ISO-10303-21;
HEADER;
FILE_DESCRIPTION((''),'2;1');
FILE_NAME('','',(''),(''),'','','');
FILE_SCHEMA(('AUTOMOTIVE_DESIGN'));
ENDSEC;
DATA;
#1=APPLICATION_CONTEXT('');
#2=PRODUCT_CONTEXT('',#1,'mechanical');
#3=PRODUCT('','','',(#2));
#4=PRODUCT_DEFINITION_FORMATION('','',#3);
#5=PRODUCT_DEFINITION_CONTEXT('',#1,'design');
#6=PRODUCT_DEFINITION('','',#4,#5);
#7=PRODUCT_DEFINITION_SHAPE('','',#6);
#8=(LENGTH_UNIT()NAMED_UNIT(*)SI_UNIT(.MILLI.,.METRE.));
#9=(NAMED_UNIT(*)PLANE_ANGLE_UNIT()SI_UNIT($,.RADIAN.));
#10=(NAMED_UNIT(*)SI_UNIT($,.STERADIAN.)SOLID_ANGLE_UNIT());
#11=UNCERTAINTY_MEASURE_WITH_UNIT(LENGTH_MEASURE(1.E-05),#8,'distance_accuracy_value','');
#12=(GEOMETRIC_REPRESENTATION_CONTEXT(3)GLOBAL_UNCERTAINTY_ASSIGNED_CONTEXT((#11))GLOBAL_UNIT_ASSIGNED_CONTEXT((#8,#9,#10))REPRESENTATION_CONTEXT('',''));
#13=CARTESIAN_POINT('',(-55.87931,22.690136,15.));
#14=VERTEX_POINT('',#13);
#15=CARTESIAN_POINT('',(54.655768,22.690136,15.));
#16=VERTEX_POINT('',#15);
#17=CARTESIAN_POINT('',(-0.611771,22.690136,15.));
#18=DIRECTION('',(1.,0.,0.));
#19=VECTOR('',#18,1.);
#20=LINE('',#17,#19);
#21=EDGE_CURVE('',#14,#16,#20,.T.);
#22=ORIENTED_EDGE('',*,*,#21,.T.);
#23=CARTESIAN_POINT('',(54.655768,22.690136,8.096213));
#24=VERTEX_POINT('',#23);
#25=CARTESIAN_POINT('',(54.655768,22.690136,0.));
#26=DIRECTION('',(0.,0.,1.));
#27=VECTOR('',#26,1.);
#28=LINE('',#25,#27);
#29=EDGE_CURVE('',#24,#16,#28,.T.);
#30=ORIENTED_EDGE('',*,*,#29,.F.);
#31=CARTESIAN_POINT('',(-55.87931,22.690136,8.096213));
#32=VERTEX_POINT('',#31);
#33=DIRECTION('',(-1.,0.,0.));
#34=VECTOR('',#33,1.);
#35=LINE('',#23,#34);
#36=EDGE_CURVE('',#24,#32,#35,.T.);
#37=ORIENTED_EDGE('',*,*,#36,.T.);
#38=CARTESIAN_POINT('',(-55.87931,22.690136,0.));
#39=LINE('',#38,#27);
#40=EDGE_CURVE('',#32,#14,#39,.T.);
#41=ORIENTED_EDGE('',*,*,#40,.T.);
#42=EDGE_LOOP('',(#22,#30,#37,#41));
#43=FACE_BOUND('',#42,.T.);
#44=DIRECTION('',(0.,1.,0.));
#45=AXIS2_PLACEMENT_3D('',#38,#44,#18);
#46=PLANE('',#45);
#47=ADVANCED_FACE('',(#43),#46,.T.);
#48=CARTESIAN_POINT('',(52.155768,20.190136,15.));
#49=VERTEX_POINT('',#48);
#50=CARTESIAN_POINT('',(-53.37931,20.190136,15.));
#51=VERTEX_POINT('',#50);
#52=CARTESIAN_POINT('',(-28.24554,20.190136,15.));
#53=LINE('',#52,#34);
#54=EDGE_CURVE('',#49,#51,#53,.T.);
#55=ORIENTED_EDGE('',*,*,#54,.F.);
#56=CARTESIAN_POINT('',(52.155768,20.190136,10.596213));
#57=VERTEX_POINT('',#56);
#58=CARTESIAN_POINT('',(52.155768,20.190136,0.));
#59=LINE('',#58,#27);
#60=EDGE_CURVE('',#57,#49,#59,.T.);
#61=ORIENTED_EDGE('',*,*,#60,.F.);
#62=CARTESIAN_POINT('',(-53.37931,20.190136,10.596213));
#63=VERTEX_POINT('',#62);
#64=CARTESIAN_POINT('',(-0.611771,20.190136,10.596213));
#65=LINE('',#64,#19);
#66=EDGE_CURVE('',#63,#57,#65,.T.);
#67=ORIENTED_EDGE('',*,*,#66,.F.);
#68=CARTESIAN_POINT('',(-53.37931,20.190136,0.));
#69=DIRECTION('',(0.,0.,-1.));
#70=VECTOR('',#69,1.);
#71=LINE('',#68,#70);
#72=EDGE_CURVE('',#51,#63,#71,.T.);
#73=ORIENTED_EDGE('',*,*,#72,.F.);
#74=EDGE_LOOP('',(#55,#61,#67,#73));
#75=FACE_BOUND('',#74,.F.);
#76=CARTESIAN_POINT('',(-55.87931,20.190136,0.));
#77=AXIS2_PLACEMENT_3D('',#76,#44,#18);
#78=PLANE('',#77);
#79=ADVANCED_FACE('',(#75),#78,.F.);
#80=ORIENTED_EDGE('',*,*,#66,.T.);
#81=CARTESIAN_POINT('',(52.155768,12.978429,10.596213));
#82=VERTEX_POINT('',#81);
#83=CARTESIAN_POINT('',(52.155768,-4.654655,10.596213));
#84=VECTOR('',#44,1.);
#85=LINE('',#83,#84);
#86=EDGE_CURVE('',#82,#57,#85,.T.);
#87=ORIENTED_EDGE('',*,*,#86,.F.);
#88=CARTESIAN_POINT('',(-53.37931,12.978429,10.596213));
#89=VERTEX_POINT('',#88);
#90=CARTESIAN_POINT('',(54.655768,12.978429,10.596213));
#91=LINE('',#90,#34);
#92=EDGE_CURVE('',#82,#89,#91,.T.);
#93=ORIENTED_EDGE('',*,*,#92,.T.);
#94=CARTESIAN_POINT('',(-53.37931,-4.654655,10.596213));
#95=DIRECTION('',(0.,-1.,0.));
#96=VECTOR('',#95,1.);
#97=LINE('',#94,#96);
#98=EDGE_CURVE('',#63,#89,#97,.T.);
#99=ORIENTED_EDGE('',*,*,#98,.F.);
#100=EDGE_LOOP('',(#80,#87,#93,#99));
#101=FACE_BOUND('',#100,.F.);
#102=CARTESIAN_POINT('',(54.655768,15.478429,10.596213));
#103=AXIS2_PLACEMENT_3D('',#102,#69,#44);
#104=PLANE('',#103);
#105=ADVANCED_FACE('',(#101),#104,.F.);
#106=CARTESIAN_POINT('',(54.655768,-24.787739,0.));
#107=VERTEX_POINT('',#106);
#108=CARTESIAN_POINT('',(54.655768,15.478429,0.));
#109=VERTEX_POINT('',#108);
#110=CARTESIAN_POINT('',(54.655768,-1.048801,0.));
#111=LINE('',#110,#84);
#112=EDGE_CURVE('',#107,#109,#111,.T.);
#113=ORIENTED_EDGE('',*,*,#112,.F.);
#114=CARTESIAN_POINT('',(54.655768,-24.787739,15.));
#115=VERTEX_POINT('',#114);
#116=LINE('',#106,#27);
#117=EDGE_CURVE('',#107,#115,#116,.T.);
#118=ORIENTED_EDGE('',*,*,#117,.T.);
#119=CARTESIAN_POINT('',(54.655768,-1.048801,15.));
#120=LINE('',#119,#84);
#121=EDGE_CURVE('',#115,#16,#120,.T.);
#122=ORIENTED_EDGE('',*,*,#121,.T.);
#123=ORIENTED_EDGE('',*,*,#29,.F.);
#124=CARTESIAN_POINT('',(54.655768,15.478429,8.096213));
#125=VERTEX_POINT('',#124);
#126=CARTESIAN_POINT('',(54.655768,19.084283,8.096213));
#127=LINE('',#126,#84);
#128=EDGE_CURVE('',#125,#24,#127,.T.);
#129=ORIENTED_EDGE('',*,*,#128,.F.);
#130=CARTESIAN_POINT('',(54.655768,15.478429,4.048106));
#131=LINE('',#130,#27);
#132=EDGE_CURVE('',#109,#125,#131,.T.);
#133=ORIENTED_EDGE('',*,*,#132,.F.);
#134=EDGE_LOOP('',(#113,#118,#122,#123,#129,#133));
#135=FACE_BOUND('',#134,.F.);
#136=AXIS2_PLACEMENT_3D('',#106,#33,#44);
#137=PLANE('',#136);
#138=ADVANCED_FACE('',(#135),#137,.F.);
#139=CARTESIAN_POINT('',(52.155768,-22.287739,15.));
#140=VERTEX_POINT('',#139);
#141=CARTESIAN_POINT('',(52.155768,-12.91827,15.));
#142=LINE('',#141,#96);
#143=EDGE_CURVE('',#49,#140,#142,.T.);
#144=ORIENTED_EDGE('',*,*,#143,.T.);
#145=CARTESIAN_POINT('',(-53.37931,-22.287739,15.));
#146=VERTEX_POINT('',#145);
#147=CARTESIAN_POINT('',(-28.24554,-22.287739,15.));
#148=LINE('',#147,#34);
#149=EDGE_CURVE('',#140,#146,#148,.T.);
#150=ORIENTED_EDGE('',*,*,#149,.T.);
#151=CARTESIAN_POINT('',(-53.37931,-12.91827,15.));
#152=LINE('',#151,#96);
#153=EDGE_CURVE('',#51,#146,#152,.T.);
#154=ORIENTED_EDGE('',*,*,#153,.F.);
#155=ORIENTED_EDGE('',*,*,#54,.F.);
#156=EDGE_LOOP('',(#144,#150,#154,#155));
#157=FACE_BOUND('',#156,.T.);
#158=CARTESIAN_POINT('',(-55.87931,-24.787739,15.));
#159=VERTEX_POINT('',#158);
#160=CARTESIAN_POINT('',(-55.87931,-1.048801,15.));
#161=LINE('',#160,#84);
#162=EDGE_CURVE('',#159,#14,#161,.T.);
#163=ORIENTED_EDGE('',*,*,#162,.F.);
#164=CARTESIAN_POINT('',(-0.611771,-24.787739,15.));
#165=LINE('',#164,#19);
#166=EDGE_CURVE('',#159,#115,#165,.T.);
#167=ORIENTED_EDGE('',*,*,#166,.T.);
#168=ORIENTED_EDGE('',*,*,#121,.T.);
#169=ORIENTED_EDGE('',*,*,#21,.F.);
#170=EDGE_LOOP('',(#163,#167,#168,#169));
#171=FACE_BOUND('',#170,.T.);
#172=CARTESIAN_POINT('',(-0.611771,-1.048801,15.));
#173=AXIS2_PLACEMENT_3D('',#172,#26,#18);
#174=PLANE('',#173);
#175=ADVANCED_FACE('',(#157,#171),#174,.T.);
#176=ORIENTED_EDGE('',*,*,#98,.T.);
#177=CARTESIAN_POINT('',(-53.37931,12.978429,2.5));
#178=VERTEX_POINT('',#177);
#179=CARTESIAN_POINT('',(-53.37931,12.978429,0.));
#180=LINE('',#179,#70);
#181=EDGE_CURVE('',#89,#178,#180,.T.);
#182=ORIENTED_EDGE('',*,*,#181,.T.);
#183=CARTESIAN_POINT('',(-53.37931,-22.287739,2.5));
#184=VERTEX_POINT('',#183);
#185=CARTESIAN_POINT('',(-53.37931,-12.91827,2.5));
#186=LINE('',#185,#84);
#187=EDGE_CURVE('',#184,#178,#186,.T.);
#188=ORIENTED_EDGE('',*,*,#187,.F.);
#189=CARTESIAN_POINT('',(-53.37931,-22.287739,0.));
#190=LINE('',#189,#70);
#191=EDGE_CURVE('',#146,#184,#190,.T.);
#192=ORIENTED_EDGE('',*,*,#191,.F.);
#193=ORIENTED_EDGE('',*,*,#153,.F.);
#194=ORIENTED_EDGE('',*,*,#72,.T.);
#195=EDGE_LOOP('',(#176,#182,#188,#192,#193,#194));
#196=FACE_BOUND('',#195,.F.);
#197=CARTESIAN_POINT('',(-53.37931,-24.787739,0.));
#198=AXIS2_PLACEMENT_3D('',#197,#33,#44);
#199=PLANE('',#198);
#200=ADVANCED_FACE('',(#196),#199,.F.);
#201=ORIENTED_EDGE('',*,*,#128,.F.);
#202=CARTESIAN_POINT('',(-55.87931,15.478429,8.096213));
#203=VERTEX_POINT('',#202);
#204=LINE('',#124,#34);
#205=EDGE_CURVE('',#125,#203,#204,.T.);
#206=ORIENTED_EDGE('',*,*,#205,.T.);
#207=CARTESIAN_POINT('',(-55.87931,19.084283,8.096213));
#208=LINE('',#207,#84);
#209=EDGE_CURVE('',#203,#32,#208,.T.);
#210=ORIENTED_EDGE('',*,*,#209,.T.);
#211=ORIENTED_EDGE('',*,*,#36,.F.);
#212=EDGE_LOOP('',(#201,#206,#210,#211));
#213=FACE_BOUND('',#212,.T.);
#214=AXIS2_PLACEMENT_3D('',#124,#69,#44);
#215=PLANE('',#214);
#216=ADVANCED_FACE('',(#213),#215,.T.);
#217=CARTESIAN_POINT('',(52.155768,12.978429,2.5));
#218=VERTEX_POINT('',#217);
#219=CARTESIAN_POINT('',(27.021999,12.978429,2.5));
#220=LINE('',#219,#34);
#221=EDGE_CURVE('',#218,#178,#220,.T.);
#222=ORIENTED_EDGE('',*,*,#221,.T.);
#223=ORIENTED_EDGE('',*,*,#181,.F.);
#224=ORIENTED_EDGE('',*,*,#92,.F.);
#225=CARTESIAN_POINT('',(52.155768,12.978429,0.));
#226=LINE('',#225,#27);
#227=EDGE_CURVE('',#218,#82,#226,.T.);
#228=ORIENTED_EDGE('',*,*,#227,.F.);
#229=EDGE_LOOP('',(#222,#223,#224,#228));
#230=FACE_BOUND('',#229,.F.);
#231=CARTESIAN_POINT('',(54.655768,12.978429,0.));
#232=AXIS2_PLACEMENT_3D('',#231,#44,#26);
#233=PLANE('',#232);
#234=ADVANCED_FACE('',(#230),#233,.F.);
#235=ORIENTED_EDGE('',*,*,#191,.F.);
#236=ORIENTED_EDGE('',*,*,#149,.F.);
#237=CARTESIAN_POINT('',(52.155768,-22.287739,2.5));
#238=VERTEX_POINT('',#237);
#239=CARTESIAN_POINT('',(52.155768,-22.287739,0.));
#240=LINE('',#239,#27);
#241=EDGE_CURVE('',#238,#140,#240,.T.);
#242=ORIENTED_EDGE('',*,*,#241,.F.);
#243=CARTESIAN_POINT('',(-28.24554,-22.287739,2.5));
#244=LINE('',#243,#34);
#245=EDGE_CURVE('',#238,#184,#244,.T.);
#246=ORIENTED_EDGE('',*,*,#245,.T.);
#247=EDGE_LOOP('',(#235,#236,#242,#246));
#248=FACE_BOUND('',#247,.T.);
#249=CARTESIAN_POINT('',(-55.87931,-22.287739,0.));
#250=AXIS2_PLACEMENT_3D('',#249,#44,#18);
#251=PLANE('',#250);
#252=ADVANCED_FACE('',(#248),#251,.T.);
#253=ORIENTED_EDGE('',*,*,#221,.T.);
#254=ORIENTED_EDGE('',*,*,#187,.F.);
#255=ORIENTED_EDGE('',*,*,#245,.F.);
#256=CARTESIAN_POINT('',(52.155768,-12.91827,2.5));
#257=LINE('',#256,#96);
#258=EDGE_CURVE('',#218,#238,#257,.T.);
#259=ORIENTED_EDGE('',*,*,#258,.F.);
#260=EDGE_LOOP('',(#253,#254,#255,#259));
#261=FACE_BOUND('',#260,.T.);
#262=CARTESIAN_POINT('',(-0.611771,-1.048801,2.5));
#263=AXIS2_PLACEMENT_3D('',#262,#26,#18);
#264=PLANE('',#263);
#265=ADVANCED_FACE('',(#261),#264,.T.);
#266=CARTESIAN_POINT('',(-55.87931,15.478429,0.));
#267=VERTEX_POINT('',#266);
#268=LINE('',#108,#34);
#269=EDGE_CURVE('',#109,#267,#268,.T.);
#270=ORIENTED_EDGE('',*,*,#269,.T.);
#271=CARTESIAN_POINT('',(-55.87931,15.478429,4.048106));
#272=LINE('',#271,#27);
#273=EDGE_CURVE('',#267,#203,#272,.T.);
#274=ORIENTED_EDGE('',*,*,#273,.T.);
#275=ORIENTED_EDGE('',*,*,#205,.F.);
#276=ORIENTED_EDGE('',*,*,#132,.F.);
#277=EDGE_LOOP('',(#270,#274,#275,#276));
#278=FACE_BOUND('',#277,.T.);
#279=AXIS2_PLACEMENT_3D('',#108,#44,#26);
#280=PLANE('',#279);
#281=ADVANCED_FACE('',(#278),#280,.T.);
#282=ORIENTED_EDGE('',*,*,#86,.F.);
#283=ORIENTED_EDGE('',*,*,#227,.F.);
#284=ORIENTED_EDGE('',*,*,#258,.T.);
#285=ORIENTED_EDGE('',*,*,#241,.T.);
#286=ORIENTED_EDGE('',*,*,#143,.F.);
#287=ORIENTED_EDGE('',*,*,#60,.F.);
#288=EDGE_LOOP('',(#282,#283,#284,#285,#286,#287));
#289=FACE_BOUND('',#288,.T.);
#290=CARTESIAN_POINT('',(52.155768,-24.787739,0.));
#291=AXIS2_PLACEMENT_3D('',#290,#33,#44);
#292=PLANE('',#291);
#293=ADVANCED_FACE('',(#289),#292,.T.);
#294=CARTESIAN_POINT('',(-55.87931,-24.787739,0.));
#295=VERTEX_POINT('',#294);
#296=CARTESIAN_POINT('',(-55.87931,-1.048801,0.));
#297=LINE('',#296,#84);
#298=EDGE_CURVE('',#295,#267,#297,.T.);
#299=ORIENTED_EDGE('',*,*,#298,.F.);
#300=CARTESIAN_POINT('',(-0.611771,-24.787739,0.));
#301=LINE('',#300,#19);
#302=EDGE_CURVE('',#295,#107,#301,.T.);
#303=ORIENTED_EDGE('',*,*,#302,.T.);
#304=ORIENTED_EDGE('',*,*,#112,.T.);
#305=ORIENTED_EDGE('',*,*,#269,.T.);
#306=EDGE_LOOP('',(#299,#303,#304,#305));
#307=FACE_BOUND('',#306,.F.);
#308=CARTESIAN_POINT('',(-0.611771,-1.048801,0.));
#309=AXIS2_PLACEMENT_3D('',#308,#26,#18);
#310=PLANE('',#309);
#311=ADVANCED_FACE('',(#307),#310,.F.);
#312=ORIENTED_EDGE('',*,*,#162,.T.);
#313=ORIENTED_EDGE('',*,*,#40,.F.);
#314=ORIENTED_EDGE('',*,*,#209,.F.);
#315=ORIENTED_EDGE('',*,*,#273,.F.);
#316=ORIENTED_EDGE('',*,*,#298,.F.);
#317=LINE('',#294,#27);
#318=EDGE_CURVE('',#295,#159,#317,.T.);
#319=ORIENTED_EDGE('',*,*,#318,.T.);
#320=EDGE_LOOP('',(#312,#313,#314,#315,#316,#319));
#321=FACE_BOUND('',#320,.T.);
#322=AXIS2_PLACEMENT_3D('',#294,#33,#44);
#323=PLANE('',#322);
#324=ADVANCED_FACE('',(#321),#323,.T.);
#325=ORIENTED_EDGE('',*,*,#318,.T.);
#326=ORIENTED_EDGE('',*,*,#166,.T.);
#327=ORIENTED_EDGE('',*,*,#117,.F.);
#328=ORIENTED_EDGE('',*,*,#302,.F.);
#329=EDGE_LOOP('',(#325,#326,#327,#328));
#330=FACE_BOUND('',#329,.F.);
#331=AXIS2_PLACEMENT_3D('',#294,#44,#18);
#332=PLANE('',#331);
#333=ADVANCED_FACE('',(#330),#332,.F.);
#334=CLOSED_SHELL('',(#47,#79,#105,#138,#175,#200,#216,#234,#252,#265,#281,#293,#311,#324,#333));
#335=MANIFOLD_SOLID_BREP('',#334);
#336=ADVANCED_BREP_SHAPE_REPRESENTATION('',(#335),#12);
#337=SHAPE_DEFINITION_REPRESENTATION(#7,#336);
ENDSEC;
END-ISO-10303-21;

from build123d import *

# Parameters (mm, degrees)
F0_W     = 110.5350777507
F0_H     = 47.4778749049
F1_DEPTH = 15
F2_W     = 7.2117066011
F2_H     = 8.0962125212
F3_DEPTH = 110.5350777507
F4_T     = -2.5


with BuildPart() as f1:
    # F0 (on Top) → F1 (new body)
    with BuildSketch(Plane.XY):
        with Locations((-0.6117708981, -1.0488014668)):
            Rectangle(F0_W, F0_H)
    extrude(amount=F1_DEPTH)

    # F2 (on face) → F3 (cut, through all)
    with BuildSketch(Plane.YZ.offset(54.6557679772)):
        with Locations((19.0842826851, 4.0481062606)):
            Rectangle(F2_W, F2_H)
    extrude(amount=-F3_DEPTH, mode=Mode.SUBTRACT)

    # F4
    f4_openings = [f1.faces().sort_by_distance(p)[0] for p in [
        (-0.611771, -1.048801, 15),
    ]]
    offset(amount=F4_T, openings=f4_openings, kind=Kind.INTERSECTION)


solid = f1.part
